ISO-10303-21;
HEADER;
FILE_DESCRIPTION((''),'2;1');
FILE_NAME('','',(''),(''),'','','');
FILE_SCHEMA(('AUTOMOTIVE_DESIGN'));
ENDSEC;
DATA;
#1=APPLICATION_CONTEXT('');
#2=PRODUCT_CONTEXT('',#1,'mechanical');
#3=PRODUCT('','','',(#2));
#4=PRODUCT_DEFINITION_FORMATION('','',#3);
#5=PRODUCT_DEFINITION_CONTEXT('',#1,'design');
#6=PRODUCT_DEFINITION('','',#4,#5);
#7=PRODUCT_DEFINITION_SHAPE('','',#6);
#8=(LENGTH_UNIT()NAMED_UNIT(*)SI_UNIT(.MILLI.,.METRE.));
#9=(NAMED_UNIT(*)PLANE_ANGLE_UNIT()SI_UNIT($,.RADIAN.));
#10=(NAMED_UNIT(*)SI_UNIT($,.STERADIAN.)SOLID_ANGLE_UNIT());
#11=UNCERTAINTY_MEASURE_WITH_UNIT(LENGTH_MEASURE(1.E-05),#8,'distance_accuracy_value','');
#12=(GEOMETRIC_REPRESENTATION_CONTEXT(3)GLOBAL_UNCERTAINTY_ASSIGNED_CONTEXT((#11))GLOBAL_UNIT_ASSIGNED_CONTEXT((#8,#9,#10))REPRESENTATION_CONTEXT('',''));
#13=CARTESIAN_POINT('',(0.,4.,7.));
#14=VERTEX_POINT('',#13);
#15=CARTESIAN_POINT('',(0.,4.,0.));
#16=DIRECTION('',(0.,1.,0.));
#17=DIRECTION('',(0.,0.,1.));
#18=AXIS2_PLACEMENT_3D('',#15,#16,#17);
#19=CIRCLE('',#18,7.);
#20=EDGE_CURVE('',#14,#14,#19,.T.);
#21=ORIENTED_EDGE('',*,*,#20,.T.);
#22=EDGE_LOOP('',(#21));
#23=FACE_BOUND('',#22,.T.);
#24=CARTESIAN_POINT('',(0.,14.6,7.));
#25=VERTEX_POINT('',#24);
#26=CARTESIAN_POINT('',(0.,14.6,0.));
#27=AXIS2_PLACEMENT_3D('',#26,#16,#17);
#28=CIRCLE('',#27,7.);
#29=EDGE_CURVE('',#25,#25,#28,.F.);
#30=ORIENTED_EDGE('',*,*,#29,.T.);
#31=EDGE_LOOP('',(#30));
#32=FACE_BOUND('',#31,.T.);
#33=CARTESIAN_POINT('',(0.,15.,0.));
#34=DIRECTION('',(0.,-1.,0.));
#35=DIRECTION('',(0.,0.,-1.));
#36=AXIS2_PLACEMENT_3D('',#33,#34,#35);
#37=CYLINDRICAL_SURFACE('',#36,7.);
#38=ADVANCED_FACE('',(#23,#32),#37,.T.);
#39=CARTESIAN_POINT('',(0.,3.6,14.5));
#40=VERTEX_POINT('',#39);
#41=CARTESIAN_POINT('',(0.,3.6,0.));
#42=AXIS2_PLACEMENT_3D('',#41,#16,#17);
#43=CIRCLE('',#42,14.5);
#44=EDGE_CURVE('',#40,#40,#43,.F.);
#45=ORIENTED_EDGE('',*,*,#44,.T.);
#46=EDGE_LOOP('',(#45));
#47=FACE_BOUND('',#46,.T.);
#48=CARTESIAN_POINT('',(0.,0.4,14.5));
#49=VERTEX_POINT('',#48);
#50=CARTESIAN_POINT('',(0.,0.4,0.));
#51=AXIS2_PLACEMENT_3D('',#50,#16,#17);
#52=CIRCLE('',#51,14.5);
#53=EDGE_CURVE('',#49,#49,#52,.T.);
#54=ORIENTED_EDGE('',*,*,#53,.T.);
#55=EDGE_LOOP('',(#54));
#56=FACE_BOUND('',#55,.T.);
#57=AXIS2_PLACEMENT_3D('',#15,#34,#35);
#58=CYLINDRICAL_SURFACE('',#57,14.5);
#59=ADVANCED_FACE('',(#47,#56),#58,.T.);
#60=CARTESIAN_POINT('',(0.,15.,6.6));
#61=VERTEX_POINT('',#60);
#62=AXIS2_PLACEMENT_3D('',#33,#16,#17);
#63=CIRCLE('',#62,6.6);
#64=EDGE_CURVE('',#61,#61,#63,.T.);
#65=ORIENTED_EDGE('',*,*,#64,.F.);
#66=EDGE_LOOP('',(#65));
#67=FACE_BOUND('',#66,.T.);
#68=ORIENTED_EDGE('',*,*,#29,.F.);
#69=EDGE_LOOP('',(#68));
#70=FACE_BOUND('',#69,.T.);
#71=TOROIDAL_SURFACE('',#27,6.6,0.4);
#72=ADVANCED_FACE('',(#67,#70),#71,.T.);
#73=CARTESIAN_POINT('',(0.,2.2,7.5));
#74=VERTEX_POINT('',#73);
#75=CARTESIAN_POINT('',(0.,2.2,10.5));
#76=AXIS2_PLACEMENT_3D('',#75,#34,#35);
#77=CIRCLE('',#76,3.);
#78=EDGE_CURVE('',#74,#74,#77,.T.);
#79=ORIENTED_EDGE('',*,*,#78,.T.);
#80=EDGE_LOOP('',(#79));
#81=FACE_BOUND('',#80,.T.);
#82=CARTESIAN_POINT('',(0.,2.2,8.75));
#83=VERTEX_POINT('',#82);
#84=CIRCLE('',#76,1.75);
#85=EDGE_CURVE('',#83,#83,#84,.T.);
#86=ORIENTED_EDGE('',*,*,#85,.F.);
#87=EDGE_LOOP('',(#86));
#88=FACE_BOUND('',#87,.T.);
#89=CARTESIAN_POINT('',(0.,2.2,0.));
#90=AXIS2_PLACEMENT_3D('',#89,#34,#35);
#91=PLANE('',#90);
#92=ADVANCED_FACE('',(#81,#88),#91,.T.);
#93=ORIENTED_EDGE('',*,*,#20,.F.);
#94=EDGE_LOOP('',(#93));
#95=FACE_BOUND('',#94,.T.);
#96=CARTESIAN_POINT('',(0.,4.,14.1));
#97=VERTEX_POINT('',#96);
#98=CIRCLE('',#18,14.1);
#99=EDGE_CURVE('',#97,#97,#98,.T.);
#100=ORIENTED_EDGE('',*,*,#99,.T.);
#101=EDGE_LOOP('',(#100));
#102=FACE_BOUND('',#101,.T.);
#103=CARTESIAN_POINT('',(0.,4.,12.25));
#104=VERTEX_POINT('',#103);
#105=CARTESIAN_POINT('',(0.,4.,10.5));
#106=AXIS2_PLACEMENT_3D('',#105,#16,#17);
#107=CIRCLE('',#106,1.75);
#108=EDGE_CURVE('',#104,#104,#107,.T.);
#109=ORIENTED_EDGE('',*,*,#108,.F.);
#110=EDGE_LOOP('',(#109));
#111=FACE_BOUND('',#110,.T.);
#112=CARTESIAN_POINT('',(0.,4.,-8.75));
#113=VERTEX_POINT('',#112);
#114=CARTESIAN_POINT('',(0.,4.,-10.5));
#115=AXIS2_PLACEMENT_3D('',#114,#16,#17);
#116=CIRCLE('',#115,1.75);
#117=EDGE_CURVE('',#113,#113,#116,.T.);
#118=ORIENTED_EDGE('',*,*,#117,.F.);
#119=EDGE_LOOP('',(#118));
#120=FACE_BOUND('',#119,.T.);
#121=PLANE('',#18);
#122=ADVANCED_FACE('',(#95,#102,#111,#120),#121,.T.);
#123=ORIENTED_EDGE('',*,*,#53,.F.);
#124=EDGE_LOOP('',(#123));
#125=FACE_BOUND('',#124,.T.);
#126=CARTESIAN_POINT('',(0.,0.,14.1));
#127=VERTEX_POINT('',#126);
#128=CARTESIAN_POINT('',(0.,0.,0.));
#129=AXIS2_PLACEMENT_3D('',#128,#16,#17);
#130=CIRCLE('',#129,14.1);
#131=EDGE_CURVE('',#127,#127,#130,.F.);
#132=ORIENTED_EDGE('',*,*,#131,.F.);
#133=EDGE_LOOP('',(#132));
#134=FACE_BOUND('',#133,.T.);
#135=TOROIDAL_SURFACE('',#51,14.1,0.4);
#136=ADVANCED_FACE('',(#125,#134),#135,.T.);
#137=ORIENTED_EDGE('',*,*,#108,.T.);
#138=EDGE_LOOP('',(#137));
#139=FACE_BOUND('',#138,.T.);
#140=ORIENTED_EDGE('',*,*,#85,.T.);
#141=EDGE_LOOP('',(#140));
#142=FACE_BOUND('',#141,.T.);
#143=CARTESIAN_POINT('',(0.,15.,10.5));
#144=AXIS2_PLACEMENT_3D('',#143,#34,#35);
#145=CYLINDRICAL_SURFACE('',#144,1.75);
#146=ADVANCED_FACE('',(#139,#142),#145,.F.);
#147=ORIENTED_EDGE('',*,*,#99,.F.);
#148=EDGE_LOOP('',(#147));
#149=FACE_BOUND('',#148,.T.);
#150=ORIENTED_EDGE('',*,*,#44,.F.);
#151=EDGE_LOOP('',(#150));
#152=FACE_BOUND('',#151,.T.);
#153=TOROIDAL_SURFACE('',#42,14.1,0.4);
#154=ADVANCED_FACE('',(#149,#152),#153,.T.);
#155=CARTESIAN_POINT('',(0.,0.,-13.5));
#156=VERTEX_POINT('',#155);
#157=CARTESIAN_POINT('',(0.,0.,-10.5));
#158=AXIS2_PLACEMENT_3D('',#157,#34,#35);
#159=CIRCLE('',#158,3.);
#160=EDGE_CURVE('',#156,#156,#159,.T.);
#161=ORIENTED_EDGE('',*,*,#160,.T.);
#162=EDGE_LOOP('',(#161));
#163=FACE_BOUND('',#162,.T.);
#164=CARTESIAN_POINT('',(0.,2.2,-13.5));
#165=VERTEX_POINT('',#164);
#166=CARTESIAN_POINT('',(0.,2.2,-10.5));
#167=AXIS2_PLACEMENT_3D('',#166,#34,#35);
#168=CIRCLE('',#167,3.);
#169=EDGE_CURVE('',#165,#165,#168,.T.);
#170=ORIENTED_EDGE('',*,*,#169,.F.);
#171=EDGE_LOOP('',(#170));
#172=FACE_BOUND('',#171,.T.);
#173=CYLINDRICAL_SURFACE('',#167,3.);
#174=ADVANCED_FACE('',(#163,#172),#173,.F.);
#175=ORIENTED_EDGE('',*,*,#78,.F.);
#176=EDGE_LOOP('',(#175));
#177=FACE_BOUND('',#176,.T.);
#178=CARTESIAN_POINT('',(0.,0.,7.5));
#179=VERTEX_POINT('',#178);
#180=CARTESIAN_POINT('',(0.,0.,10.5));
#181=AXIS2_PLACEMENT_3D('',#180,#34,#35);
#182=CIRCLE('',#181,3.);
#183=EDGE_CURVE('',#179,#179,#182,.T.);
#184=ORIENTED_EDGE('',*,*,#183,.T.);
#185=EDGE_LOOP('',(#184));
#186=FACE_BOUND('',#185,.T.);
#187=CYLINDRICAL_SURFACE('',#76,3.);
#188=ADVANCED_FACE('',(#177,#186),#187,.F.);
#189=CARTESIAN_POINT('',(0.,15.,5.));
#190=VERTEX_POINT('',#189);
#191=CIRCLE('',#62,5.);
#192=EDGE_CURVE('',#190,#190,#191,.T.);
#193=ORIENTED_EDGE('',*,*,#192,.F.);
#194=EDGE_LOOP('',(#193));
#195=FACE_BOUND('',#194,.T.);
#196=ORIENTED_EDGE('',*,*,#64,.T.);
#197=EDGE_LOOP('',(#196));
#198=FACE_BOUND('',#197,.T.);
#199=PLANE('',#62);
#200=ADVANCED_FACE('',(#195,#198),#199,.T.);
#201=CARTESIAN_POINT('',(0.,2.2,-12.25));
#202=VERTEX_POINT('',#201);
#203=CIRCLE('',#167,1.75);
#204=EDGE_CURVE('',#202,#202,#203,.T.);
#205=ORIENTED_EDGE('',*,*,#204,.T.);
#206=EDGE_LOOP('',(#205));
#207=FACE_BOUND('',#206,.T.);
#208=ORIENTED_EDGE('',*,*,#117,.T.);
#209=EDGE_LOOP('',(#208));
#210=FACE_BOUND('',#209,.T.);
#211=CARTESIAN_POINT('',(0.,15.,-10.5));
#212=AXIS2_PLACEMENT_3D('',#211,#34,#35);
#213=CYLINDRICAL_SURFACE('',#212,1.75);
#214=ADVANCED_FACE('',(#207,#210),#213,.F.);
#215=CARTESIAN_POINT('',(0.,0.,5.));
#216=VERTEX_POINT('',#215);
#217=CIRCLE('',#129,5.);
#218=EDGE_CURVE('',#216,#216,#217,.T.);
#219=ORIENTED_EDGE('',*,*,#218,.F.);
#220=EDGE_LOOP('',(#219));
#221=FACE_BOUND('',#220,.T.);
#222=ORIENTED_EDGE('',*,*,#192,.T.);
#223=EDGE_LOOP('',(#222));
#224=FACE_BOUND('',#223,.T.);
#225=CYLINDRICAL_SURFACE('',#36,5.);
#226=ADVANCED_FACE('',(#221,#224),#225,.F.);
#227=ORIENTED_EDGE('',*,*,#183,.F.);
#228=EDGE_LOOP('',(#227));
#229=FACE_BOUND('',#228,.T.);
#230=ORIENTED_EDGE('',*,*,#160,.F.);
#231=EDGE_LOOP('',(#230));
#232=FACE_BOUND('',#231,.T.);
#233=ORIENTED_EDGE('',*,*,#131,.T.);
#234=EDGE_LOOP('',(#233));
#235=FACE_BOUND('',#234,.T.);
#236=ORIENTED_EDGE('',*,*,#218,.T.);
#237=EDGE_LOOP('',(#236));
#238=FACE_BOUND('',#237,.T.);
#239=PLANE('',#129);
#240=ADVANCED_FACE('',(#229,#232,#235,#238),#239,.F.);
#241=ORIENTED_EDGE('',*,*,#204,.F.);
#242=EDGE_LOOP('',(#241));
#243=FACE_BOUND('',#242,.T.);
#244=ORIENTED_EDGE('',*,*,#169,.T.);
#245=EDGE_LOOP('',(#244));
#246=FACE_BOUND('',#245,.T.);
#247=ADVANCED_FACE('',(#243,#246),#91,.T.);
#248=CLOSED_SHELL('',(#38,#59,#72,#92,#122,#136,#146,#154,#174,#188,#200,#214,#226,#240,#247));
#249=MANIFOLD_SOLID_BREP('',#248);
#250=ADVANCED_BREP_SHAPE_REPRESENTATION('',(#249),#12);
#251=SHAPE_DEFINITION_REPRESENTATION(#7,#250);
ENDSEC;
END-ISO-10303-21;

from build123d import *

# Parameters (mm, degrees)
SKETCH_1_R          = 14.5
SKETCH_1_R_2        = 7
EXTRUDE_1_DEPTH     = 4
SKETCH_1_3_R        = 7
SKETCH_1_3_R_2      = 5
EXTRUDE_2_DEPTH     = 15
SKETCH_2_R          = 3
SKETCH_2_R_2        = 1.75
CUT_EXTRUDE_1_DEPTH = 2.2
SKETCH_2_4_R        = 1.75
CUT_EXTRUDE_2_DEPTH = 26.406692032
FILLET_1_R          = 0.4


with BuildPart() as part:
    # 草图1 → 凸台-拉伸1 (new body)
    with BuildSketch(Plane(origin=(0, 0, 0), x_dir=(1, 0, 0), z_dir=(0, 1, 0))):
        Circle(SKETCH_1_R)
        Circle(SKETCH_1_R_2, mode=Mode.SUBTRACT)
    extrude(amount=EXTRUDE_1_DEPTH)

    # 草图1<3> → 凸台-拉伸2 (add)
    with BuildSketch(Plane(origin=(0, 0, 0), x_dir=(1, 0, 0), z_dir=(0, 1, 0))):
        Circle(SKETCH_1_3_R)
        Circle(SKETCH_1_3_R_2, mode=Mode.SUBTRACT)
    extrude(amount=EXTRUDE_2_DEPTH)

    # 草图2 → 切除-拉伸1 (cut)
    # profile 1 of 2: a face of its own
    with BuildSketch(Plane.XZ):
        with Locations((0, 10.5)):
            Circle(SKETCH_2_R)
        with Locations((0, 10.5)):
            Circle(SKETCH_2_R_2, mode=Mode.SUBTRACT)
    # profile 2 of 2: a face of its own
    with BuildSketch(Plane.XZ):
        with Locations((0, -10.5)):
            Circle(SKETCH_2_R)
        with Locations((0, -10.5)):
            Circle(SKETCH_2_R_2, mode=Mode.SUBTRACT)
    extrude(amount=-CUT_EXTRUDE_1_DEPTH, mode=Mode.SUBTRACT)

    # 草图2<4> → 切除-拉伸2 (cut, through all)
    with BuildSketch(Plane.XZ):
        with Locations((0, 10.5)):
            Circle(SKETCH_2_4_R)
        with Locations((0, -10.5)):
            Circle(SKETCH_2_4_R)
    extrude(amount=-CUT_EXTRUDE_2_DEPTH, mode=Mode.SUBTRACT)

    # 圆角1
    fillet_1_edges = [part.edges().sort_by_distance(p)[0] for p in [
        (-14.5, 0, 0),
        (-14.5, 4, 0),
        (-7, 15, 0),
    ]]
    fillet(fillet_1_edges, radius=FILLET_1_R)


solid = part.part
